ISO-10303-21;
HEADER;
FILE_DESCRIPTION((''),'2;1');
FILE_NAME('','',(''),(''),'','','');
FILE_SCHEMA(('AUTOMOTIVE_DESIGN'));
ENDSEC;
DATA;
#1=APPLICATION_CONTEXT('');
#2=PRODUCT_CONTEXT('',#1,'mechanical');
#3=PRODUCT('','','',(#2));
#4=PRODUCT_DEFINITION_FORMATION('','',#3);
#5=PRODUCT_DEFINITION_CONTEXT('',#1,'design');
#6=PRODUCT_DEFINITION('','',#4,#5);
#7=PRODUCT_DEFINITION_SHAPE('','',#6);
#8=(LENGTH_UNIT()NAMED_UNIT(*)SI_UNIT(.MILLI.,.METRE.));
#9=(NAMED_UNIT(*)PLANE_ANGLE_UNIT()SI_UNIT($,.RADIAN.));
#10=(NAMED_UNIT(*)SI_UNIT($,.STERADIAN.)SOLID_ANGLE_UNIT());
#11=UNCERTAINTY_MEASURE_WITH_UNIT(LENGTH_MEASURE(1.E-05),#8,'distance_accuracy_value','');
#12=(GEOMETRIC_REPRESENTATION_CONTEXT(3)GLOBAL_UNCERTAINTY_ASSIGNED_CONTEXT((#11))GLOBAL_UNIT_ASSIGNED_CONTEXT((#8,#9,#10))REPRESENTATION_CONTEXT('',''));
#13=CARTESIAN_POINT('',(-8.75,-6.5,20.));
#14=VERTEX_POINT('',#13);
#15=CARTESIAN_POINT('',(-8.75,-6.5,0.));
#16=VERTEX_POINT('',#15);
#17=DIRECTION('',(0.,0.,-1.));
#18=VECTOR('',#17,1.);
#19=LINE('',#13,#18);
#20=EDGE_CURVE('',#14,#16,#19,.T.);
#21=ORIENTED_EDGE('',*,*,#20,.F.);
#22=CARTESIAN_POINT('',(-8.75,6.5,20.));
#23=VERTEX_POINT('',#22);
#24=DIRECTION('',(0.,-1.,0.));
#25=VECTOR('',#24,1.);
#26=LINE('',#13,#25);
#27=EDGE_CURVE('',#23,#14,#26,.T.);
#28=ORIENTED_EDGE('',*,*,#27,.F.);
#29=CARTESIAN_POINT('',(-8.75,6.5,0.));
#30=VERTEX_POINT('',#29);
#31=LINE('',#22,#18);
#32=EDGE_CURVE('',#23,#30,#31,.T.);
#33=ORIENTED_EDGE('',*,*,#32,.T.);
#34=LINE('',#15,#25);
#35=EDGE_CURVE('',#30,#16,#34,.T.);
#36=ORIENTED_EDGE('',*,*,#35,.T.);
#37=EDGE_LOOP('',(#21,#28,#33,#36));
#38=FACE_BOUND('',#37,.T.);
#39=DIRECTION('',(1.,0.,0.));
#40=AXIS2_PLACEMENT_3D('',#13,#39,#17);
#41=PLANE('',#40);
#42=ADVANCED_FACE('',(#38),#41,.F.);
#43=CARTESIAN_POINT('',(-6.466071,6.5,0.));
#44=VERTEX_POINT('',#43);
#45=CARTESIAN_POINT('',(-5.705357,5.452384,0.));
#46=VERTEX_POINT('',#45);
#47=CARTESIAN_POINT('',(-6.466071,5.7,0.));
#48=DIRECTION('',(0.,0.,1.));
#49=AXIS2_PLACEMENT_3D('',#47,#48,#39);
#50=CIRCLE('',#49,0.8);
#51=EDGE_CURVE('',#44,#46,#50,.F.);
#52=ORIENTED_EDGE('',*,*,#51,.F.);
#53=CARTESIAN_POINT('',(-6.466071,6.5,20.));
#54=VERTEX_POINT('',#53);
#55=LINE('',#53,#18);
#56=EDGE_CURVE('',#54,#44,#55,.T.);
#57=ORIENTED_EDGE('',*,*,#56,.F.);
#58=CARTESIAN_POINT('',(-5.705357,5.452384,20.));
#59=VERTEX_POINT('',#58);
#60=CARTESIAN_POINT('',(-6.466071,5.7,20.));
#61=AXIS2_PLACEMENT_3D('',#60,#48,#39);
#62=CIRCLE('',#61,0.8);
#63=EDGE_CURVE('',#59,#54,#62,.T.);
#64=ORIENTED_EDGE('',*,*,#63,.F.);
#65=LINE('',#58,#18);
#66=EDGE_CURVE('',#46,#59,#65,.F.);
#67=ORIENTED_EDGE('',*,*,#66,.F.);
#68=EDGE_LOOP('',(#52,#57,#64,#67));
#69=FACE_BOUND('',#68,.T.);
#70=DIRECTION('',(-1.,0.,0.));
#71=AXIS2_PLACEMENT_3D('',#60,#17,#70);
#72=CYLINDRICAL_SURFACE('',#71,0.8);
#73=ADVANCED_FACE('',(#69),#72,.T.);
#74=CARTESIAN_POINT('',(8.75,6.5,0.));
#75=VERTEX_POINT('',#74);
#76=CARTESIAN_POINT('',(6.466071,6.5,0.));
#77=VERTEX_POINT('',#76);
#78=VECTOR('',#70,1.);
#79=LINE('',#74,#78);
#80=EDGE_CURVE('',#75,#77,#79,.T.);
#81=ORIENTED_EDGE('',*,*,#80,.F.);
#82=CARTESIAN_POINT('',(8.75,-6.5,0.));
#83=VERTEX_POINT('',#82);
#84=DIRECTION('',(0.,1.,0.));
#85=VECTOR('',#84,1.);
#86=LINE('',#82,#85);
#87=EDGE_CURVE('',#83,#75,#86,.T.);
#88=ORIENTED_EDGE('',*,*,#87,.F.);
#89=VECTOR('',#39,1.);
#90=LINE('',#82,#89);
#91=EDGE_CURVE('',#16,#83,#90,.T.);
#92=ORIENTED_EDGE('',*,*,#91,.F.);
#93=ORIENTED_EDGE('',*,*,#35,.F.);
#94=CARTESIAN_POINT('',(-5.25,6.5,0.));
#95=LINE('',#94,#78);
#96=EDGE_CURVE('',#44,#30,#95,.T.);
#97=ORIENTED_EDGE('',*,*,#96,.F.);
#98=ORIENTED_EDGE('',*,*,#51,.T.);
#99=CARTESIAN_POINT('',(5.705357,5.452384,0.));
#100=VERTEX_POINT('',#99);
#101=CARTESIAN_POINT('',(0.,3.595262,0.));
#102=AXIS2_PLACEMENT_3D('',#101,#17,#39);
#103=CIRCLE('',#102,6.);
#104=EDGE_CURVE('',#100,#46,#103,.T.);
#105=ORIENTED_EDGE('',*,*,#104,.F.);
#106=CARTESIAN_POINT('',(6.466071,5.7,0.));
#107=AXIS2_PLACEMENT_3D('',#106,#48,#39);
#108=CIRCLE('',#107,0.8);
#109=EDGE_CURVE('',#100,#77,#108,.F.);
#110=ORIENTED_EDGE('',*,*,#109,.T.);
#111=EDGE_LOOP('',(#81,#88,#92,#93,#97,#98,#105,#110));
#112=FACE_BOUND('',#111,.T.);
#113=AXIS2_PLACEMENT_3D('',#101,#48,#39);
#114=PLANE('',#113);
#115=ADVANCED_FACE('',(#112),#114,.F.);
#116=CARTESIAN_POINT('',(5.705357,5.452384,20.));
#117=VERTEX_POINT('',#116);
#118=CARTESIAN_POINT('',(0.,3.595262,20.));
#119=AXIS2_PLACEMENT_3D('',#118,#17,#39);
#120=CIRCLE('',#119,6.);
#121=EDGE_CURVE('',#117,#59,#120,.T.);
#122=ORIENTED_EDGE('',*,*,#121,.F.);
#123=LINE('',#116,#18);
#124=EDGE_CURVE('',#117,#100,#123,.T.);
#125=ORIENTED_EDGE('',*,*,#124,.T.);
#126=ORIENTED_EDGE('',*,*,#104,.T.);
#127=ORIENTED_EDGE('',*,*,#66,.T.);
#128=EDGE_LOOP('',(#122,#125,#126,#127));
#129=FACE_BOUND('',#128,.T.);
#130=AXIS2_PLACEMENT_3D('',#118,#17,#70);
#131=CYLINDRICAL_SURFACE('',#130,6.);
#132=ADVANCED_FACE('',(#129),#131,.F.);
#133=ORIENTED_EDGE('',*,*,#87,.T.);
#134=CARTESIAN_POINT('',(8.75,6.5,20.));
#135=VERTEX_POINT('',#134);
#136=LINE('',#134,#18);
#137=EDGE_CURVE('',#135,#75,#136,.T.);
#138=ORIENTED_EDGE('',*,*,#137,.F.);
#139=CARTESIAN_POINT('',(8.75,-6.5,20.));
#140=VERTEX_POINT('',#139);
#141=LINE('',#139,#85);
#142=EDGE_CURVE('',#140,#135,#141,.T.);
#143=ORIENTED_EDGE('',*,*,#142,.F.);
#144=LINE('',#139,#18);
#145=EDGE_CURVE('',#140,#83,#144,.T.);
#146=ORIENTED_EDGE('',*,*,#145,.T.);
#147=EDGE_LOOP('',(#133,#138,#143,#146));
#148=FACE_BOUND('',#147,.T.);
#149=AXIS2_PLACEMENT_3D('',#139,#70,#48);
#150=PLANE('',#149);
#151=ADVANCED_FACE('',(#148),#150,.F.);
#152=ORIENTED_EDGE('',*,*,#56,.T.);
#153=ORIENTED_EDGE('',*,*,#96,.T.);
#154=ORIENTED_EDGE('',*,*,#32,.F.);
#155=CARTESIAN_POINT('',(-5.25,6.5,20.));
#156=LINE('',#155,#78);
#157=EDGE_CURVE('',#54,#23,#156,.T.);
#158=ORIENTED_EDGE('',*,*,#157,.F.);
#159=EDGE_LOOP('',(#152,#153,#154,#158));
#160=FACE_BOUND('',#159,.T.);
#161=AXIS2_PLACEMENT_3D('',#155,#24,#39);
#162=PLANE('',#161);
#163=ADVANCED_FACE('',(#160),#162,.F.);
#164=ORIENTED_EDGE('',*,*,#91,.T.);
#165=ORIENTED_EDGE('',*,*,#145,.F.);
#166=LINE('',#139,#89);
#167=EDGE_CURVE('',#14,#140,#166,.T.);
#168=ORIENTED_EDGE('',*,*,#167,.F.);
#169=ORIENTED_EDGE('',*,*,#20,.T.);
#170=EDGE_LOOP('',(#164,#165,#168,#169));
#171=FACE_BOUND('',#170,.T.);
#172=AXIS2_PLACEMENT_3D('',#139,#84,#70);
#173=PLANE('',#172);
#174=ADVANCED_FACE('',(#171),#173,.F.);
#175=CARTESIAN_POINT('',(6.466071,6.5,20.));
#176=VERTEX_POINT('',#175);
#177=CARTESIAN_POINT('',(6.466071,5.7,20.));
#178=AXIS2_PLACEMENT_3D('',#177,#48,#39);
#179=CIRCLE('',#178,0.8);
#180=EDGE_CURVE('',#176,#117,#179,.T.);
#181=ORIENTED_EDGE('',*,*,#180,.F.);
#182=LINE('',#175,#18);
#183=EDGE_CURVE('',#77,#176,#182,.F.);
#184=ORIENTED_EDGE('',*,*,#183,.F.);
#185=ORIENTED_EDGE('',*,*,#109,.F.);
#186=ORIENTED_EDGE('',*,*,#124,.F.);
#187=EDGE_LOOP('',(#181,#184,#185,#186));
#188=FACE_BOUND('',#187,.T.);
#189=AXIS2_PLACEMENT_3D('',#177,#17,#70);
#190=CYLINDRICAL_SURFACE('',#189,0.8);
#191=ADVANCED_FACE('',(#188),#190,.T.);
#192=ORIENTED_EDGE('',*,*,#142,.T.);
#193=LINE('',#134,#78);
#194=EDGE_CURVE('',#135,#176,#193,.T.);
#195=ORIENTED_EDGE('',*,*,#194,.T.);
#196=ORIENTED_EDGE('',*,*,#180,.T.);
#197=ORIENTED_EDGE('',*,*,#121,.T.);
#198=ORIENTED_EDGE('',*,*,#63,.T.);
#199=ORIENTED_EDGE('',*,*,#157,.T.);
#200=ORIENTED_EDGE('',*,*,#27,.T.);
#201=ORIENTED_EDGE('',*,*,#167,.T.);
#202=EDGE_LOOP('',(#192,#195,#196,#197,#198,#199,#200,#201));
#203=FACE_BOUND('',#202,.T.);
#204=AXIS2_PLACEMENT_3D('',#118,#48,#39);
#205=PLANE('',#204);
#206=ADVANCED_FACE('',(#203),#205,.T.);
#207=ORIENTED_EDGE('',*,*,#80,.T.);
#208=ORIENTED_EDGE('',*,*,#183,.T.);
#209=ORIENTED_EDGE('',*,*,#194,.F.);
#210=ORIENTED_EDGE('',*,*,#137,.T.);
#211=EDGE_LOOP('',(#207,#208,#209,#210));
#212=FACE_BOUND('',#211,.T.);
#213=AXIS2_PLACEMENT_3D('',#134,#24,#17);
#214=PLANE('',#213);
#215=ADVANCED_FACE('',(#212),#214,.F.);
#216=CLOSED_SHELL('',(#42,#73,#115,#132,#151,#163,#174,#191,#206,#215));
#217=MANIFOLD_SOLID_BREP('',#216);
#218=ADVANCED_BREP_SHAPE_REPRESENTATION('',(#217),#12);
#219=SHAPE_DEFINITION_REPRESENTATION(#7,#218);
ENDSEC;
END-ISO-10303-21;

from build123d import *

# Parameters (mm, degrees)
BOSS_EXTRUDE1_DEPTH = 20
FILLET1_R           = 0.8


with BuildPart() as part:
    # Sketch1 → Boss-Extrude1 (new body)
    with BuildSketch(Plane.XY):
        with BuildLine():
            Line((-5.25, 6.5), (-8.75, 6.5))
            Line((-8.75, 6.5), (-8.75, -6.5))
            Line((-8.75, -6.5), (8.75, -6.5))
            Line((8.75, -6.5), (8.75, 6.5))
            Line((8.75, 6.5), (5.25, 6.5))
            ThreePointArc((5.25, 6.5), (0, -2.40473751), (-5.25, 6.5))
        make_face()
    extrude(amount=BOSS_EXTRUDE1_DEPTH)

    # Fillet1
    fillet1_edges = [part.edges().sort_by_distance(p)[0] for p in [
        (-5.25, 6.5, 10),
        (5.25, 6.5, 10),
    ]]
    fillet(fillet1_edges, radius=FILLET1_R)


solid = part.part
